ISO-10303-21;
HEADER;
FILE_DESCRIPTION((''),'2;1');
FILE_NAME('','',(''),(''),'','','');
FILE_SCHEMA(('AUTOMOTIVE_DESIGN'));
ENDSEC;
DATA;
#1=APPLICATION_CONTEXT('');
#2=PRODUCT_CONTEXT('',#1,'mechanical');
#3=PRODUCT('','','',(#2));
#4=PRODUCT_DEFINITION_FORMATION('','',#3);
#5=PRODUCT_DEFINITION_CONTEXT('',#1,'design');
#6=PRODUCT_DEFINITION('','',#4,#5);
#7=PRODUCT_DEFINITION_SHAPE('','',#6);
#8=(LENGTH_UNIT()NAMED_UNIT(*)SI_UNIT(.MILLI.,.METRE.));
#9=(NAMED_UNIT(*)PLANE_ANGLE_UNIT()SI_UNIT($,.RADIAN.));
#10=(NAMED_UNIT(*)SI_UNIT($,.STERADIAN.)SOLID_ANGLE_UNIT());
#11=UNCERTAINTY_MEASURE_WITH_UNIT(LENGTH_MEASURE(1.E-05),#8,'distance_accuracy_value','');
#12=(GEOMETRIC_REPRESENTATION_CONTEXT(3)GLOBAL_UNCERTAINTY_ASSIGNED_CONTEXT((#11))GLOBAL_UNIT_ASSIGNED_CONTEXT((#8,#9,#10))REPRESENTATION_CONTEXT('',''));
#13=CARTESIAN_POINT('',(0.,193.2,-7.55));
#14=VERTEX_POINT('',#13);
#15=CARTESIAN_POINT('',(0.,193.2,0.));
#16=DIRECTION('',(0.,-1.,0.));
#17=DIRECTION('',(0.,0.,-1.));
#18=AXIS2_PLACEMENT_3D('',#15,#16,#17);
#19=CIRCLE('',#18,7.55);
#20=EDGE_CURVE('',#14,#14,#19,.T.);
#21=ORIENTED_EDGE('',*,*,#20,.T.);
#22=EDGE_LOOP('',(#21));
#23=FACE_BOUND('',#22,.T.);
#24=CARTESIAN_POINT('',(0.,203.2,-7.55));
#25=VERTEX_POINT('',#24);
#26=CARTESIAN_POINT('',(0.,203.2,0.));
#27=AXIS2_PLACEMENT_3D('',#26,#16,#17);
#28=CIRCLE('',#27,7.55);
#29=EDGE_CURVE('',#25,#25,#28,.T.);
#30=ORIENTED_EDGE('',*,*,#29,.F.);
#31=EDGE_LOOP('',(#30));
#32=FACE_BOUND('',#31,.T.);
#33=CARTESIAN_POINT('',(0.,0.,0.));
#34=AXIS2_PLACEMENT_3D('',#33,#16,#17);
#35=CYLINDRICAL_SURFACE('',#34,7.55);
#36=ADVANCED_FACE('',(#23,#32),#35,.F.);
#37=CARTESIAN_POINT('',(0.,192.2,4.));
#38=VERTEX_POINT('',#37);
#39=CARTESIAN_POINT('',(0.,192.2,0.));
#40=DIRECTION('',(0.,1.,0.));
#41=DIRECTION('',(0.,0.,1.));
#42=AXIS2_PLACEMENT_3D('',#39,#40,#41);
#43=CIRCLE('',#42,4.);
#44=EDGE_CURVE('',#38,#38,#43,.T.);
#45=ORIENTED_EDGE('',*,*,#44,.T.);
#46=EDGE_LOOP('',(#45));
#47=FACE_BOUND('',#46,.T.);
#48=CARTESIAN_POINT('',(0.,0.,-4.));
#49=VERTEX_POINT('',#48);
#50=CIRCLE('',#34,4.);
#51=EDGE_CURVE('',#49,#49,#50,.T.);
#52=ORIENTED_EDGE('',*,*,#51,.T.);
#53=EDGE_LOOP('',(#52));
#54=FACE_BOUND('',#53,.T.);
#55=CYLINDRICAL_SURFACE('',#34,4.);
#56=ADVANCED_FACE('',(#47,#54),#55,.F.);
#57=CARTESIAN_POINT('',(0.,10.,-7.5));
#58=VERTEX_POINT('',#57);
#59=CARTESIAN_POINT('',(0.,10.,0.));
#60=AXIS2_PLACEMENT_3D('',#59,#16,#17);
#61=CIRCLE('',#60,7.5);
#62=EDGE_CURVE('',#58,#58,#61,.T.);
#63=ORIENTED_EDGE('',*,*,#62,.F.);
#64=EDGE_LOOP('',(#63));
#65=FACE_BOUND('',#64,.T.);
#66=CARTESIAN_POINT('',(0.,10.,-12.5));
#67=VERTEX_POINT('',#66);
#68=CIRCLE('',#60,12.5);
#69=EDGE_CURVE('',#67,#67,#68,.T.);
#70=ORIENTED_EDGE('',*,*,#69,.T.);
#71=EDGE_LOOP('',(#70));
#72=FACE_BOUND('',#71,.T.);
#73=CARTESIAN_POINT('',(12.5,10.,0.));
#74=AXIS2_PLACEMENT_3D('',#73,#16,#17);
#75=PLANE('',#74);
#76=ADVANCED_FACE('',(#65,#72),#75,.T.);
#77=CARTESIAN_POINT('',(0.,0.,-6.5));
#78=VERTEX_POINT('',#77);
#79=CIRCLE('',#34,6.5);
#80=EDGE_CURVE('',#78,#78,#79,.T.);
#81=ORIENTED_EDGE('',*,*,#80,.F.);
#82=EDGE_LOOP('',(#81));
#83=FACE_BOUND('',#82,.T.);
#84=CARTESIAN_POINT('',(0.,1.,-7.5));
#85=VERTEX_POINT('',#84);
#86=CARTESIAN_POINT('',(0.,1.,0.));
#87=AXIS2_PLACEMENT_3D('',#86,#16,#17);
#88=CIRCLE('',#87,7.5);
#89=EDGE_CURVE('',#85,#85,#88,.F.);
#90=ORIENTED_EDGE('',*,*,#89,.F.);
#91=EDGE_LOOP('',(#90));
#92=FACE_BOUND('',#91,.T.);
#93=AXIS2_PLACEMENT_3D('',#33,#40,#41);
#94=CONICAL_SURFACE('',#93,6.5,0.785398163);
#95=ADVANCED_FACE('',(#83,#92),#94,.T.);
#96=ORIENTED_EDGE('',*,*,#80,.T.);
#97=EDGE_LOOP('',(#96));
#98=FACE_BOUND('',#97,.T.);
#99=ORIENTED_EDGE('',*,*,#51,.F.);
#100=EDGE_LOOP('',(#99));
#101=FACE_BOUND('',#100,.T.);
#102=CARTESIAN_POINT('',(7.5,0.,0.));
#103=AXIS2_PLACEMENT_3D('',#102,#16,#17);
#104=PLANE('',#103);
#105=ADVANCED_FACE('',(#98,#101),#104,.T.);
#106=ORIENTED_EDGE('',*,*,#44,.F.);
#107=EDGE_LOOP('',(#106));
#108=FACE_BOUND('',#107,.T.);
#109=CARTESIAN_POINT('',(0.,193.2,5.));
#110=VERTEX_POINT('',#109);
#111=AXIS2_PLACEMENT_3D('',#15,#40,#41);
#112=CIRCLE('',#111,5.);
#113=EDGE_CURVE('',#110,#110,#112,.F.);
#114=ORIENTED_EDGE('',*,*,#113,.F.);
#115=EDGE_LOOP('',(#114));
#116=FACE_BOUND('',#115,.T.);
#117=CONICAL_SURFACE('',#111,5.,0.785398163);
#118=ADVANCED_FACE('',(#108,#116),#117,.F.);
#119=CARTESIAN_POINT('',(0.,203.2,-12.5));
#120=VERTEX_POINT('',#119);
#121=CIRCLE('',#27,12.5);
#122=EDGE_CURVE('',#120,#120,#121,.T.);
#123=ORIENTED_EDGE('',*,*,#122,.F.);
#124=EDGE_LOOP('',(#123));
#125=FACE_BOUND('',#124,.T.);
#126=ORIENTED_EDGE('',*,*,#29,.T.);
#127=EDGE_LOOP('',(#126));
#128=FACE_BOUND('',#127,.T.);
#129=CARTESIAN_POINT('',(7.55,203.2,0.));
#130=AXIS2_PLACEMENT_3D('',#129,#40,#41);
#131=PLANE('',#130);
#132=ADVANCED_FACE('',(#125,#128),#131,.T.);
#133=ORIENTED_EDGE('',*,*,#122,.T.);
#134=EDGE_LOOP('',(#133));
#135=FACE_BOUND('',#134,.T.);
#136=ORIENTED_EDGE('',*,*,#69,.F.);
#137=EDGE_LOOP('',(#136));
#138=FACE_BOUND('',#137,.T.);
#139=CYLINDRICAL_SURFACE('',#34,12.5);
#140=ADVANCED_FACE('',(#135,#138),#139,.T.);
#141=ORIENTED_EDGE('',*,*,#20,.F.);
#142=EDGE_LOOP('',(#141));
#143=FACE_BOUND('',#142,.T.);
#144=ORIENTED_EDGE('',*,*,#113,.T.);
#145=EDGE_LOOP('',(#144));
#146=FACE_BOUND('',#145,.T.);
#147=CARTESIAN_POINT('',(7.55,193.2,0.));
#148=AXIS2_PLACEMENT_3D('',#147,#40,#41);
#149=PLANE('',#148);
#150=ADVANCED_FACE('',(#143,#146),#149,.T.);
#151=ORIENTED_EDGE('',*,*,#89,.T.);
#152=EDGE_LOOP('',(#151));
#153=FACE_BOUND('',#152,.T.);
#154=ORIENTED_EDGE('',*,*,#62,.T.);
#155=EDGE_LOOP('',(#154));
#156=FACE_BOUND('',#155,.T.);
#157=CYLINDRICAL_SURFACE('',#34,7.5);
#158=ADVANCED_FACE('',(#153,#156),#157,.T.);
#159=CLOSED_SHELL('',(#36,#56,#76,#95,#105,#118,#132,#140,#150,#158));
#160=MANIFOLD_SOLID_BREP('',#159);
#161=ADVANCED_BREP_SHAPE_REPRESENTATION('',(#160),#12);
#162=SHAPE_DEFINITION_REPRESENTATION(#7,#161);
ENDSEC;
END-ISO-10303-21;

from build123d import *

# Parameters (mm, degrees)
CHAMFER1_SIZE = 1
CHAMFER2_SIZE = 1


with BuildPart() as part:
    # Sketch1 → Revolve1 (revolve)
    with BuildSketch(Plane.XY, mode=Mode.PRIVATE) as revolve1_sk:
        Polygon((4, 0), (4, 193.2), (7.55, 193.2), (7.55, 203.2), (12.5, 203.2), (12.5, 10), (7.5, 10), (7.5, 0), align=None)
    revolve(revolve1_sk.sketch.rotate(Axis((0, 0, 0), (0, 1, 0)), 90), axis=Axis((0, 0, 0), (0, 1, 0)))

    # Chamfer1
    chamfer1_edges = [part.edges().sort_by_distance(p)[0] for p in [
        (0, 193.2, 4),
    ]]
    chamfer(chamfer1_edges, length=CHAMFER1_SIZE)

    # Chamfer2
    chamfer2_edges = [part.edges().sort_by_distance(p)[0] for p in [
        (0, 0, 7.5),
    ]]
    chamfer(chamfer2_edges, length=CHAMFER2_SIZE)


solid = part.part
